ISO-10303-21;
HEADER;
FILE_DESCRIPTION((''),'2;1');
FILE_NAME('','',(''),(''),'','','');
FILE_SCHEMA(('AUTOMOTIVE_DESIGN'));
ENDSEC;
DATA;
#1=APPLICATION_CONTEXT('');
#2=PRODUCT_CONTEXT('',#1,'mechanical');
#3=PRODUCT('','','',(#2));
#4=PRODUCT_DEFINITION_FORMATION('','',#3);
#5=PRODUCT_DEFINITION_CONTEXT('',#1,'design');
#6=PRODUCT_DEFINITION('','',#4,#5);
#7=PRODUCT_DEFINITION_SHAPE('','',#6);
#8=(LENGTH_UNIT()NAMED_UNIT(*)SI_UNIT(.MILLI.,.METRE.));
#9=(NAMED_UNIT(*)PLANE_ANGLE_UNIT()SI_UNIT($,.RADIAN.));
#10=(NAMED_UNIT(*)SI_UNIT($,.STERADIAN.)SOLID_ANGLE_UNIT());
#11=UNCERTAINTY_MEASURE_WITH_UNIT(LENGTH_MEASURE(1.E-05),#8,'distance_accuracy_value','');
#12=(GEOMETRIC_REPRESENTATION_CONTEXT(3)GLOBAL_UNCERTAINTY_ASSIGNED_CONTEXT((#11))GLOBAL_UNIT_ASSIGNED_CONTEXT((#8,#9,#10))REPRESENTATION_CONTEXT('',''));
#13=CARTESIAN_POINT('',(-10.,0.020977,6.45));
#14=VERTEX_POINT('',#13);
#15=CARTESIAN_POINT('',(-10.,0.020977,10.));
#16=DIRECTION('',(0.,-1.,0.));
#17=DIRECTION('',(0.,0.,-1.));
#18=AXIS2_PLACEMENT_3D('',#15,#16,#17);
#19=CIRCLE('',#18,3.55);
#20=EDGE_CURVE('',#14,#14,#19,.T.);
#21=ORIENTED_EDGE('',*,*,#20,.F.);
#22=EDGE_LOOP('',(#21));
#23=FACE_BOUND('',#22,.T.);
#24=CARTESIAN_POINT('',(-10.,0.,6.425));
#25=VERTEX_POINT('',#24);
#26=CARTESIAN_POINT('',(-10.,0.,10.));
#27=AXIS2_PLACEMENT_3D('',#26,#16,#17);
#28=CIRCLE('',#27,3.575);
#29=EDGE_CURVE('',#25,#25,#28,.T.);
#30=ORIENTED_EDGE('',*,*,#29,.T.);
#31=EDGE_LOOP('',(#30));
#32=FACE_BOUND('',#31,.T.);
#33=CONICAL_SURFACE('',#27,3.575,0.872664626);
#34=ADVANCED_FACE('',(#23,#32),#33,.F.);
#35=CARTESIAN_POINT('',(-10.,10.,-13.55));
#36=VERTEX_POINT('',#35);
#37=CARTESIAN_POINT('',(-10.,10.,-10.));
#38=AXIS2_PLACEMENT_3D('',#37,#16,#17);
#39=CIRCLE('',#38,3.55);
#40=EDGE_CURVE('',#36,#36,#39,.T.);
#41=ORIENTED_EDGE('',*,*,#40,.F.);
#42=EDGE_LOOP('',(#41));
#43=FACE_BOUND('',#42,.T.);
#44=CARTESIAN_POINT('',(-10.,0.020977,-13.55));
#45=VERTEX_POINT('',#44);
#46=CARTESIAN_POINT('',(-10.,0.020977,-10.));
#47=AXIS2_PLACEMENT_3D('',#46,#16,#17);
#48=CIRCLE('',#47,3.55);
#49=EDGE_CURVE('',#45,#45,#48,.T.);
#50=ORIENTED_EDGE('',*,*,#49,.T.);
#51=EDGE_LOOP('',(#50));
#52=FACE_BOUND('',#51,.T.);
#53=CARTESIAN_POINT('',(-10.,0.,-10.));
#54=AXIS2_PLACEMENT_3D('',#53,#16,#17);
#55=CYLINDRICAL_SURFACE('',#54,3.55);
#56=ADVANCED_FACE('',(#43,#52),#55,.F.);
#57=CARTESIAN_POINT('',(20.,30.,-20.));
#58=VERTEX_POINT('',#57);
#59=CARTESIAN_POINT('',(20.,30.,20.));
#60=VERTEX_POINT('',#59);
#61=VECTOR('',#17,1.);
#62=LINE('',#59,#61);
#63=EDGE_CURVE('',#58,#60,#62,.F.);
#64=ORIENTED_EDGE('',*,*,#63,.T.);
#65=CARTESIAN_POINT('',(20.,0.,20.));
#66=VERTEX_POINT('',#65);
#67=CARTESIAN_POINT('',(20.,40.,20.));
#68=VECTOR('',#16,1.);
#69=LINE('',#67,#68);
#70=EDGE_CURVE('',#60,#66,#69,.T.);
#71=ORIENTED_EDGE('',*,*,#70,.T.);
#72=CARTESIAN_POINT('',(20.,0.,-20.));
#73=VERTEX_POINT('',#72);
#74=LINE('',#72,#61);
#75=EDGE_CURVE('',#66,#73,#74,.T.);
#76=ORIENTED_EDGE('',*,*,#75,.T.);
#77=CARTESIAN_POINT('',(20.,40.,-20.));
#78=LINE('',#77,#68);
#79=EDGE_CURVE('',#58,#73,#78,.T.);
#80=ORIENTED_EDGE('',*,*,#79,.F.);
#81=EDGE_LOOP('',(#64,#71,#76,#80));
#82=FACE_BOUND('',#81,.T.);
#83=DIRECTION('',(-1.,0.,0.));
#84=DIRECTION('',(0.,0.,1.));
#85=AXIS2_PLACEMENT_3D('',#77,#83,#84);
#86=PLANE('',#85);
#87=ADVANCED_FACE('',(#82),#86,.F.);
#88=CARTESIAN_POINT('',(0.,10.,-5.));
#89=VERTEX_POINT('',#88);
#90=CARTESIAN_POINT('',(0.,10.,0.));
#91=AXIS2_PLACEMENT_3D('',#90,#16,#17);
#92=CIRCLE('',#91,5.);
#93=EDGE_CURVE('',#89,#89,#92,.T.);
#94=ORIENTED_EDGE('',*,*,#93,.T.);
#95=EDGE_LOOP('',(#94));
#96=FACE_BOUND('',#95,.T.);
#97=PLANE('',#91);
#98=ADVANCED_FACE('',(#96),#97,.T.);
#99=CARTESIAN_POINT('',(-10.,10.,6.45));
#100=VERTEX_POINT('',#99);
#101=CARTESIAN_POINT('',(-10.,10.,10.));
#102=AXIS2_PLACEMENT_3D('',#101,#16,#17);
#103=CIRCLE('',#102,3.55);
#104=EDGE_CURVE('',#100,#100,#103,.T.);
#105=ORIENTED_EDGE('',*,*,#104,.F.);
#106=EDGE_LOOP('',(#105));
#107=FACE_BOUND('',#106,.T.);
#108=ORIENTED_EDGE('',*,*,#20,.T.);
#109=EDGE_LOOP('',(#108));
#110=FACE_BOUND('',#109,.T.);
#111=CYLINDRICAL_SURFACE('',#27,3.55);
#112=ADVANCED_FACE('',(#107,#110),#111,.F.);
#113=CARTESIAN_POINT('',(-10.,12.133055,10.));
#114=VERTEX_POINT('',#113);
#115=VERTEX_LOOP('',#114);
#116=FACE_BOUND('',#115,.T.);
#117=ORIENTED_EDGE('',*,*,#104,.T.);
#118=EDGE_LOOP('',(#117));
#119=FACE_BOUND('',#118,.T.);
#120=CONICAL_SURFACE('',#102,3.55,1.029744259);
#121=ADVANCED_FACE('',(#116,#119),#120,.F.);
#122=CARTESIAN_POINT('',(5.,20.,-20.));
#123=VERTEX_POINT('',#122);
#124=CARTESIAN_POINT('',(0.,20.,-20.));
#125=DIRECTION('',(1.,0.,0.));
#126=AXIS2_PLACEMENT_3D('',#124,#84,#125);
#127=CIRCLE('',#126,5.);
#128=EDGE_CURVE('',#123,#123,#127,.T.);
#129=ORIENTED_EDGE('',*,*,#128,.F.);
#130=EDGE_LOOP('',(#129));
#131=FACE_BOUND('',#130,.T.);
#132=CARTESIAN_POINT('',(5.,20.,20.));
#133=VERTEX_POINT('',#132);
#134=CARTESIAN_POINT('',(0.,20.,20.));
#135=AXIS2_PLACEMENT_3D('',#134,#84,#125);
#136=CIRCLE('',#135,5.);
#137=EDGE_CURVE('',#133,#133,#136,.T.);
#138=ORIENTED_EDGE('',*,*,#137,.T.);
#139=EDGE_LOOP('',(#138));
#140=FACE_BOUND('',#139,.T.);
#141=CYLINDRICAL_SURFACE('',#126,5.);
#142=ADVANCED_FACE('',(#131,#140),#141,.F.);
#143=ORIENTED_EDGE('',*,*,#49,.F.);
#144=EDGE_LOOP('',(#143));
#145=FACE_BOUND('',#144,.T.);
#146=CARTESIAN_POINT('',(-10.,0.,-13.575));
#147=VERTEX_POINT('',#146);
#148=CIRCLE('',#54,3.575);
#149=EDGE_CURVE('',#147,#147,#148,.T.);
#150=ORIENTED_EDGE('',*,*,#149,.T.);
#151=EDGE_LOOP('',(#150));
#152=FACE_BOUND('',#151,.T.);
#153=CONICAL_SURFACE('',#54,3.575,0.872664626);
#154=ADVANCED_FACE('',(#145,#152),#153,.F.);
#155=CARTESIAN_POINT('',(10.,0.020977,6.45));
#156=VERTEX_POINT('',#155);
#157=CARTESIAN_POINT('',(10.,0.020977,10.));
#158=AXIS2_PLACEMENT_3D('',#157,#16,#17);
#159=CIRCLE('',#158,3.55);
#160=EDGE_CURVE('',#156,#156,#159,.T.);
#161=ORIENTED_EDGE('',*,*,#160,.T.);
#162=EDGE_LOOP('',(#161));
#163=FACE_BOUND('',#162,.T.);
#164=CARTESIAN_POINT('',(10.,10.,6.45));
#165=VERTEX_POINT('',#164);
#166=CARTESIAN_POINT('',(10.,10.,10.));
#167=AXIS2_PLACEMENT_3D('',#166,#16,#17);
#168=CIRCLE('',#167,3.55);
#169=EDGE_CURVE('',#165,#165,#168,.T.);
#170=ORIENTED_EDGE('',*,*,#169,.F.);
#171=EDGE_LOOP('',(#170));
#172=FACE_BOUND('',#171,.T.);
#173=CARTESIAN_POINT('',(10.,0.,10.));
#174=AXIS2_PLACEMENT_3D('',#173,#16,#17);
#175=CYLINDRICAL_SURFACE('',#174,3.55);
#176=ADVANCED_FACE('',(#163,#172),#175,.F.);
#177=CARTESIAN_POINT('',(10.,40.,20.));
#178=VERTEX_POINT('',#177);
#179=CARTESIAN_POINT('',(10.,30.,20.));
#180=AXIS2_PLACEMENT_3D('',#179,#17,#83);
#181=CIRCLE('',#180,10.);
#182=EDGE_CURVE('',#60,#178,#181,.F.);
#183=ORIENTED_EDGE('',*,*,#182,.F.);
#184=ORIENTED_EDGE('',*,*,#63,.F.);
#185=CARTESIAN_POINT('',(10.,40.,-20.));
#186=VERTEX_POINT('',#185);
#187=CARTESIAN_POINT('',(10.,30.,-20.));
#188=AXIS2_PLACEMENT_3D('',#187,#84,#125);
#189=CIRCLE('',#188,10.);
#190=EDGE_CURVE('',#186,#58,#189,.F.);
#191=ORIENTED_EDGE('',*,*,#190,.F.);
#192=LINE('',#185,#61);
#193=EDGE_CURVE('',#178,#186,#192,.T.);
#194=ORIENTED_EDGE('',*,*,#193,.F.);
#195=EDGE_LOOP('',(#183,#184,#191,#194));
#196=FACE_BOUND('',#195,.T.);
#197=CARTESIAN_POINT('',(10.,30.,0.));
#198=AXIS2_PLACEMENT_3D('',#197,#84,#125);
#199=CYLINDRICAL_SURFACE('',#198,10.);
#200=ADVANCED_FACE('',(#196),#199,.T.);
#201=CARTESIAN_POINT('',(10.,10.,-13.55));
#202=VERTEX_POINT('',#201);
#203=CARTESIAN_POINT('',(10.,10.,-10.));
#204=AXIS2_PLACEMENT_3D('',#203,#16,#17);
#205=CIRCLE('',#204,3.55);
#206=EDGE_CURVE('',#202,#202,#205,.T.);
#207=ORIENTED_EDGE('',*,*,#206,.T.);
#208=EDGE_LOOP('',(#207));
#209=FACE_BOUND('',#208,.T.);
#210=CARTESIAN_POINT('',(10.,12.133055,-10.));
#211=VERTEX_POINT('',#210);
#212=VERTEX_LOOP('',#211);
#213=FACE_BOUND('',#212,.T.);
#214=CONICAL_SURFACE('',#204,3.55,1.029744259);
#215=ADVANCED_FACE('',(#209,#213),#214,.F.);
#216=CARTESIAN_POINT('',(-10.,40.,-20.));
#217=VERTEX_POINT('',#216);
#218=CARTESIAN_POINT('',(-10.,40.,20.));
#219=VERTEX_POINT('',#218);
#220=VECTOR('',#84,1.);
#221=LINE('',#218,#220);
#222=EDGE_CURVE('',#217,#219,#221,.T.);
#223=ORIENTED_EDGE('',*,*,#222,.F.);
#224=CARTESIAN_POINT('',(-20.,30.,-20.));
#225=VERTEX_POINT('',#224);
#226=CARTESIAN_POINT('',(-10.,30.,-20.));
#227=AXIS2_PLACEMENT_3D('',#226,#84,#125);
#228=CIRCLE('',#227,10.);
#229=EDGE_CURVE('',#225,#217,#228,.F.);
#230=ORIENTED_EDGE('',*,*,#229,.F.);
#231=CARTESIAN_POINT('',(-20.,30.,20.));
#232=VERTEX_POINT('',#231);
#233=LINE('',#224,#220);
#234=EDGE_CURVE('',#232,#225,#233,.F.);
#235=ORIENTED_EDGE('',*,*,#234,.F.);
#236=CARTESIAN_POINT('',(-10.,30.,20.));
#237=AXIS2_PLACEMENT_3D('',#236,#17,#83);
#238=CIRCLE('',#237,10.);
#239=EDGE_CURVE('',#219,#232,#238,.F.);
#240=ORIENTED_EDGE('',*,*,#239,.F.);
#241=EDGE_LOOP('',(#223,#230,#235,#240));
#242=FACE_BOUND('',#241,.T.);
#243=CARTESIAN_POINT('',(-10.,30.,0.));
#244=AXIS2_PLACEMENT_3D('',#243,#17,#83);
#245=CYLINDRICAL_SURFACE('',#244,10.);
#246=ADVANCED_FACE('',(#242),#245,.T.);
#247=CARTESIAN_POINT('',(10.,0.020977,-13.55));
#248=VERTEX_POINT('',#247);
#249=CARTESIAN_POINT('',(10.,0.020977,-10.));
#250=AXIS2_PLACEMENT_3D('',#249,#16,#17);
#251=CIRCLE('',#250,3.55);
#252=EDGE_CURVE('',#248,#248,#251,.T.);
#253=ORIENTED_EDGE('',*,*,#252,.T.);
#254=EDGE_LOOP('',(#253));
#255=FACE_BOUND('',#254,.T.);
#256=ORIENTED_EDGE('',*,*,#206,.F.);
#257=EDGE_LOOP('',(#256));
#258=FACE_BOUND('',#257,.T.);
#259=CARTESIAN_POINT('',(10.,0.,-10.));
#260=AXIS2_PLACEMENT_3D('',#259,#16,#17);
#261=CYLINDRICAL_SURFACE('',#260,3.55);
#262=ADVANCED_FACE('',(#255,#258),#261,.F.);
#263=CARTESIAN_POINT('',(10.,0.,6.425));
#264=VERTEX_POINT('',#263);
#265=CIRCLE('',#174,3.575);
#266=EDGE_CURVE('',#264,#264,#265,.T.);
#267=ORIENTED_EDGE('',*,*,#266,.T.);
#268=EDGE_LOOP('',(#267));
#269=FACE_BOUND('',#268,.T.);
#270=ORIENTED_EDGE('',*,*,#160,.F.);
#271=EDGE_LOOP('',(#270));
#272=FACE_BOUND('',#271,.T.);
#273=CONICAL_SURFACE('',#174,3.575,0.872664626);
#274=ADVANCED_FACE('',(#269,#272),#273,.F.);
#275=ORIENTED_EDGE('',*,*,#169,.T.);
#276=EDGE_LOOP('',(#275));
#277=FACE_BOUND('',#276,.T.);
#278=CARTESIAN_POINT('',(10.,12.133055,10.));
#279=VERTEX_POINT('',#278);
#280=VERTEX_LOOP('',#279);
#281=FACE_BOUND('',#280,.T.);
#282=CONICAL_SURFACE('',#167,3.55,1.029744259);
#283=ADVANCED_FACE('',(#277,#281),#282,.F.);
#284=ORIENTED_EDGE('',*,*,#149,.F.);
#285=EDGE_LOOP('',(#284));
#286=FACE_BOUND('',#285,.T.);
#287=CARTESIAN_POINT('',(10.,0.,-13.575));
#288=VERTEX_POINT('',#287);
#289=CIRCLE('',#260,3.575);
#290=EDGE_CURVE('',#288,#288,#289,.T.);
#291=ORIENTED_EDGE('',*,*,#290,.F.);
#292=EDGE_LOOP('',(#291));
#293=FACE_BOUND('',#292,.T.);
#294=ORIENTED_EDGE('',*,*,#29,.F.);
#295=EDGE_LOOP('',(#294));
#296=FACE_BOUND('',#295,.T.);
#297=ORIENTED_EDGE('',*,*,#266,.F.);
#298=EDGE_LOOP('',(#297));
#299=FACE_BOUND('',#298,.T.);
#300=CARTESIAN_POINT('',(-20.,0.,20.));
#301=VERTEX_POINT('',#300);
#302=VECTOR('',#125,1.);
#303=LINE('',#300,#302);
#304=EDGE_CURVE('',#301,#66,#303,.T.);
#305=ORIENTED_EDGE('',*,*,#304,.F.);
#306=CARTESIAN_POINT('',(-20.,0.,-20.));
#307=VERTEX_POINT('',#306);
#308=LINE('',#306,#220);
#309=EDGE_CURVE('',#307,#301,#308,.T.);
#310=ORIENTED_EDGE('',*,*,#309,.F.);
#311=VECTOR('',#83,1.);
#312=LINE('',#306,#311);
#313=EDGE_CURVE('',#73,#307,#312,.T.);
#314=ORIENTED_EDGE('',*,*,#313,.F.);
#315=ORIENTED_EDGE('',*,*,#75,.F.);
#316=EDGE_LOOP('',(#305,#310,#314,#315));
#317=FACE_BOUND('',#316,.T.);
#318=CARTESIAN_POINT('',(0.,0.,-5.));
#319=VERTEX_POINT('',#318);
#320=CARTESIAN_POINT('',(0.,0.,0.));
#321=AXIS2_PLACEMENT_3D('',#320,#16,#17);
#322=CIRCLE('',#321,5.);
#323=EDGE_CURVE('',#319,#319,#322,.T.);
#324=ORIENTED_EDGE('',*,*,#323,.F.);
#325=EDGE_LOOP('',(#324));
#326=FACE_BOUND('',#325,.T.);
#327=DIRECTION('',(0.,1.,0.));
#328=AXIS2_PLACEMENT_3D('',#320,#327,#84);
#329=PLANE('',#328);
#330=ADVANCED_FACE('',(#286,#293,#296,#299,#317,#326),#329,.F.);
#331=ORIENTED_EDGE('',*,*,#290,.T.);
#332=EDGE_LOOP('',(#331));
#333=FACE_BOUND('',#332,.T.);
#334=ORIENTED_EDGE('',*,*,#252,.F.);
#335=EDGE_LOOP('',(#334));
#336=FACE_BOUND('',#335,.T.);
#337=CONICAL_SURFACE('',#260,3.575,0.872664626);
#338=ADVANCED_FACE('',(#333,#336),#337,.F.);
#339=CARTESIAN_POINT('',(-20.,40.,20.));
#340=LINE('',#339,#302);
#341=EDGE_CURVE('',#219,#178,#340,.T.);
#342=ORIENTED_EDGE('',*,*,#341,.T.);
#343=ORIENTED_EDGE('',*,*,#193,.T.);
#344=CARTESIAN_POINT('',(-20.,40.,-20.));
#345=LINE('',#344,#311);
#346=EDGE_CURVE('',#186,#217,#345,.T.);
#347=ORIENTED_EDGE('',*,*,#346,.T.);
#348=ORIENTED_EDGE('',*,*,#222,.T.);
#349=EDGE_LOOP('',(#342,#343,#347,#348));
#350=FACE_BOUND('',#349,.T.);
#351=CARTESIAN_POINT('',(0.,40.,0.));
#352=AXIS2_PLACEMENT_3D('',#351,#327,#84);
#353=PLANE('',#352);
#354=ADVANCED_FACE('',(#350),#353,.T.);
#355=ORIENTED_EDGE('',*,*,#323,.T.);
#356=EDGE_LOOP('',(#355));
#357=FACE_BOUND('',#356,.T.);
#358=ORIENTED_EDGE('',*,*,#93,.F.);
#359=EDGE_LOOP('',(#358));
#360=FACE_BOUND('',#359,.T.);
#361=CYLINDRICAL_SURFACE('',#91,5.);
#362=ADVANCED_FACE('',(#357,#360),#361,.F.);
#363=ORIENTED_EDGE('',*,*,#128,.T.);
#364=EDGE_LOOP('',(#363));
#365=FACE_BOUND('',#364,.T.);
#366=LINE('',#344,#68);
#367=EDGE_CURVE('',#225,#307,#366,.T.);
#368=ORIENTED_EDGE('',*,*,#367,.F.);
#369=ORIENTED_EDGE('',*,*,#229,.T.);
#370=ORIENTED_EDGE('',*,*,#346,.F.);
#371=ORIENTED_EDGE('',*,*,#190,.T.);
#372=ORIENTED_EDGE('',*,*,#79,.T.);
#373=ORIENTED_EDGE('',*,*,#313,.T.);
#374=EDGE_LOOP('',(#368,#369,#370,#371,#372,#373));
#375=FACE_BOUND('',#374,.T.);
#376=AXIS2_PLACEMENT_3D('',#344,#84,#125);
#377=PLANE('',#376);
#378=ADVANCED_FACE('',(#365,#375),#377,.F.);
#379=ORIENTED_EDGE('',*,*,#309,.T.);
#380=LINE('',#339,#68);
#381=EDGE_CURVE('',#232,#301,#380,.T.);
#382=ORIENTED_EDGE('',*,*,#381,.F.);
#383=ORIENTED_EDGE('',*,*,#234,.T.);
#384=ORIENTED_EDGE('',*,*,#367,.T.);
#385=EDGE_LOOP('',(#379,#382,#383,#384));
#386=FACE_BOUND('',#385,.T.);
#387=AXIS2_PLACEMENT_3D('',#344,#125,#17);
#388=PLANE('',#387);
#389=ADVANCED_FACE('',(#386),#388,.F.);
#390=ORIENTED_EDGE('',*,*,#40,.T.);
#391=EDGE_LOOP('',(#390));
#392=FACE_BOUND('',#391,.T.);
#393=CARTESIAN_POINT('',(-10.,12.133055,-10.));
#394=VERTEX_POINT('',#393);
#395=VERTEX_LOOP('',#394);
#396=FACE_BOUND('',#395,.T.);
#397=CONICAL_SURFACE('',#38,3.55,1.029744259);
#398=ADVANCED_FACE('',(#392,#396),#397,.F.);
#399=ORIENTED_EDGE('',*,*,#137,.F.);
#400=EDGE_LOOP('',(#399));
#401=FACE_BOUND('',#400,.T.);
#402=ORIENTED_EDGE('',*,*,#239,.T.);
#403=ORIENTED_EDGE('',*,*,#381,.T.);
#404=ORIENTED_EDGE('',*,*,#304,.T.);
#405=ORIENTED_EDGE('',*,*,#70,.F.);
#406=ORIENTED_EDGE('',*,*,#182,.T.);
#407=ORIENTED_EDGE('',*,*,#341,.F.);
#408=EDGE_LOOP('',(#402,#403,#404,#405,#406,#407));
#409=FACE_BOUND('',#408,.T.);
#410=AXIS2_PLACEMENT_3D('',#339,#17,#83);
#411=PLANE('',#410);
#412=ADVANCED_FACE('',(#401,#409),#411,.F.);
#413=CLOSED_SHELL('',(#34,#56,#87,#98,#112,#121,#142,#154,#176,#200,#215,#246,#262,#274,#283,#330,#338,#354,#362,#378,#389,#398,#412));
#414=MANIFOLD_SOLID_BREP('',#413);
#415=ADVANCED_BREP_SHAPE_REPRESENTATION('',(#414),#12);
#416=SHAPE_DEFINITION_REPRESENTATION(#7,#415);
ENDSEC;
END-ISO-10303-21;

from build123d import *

# Parameters (mm, degrees)
SKETCH1_W                        = 40
SKETCH1_H                        = 40
BOSS_EXTRUDE1_DEPTH              = 40
SKETCH2_R                        = 5
CUT_EXTRUDE1_DEPTH               = 61
FILLET1_R                        = 10
M6_5_CLEARANCE_HOLE1_D           = 7.1
M6_5_CLEARANCE_HOLE1_DEPTH       = 10
M6_5_CLEARANCE_HOLE1_CSINK_D     = 7.15
M6_5_CLEARANCE_HOLE1_CSINK_ANGLE = 100
M6_5_CLEARANCE_HOLE1_TIP         = 2.133055198
SKETCH6_R                        = 5
CUT_EXTRUDE2_DEPTH               = 10


with BuildPart() as part:
    # Sketch1 → Boss-Extrude1 (new body)
    with BuildSketch(Plane(origin=(0, 0, 0), x_dir=(1, 0, 0), z_dir=(0, 1, 0))):
        Rectangle(SKETCH1_W, SKETCH1_H)
    extrude(amount=BOSS_EXTRUDE1_DEPTH)

    # Sketch2 → Cut-Extrude1 (cut, through all)
    with BuildSketch(Plane.XY.offset(20)):
        with Locations((0, 20)):
            Circle(SKETCH2_R)
    extrude(amount=-CUT_EXTRUDE1_DEPTH, mode=Mode.SUBTRACT)

    # Fillet1
    fillet1_edges = [part.edges().sort_by_distance(p)[0] for p in [
        (-20, 40, 0),
        (20, 40, 0),
    ]]
    fillet(fillet1_edges, radius=FILLET1_R)

    # M6.5 Clearance Hole1
    with Locations(Plane(origin=(0, 0, 0), x_dir=(-1, 0, 0), z_dir=(0, -1, 0))):
        with Locations((-10, 10), (10, 10), (-10, -10), (10, -10)):
            CounterSinkHole(M6_5_CLEARANCE_HOLE1_D / 2, M6_5_CLEARANCE_HOLE1_CSINK_D / 2, depth=M6_5_CLEARANCE_HOLE1_DEPTH, counter_sink_angle=M6_5_CLEARANCE_HOLE1_CSINK_ANGLE)
            with Locations((0, 0, -(M6_5_CLEARANCE_HOLE1_DEPTH + M6_5_CLEARANCE_HOLE1_TIP / 2))):  # 118° drill point
                Cone(0, M6_5_CLEARANCE_HOLE1_D / 2, M6_5_CLEARANCE_HOLE1_TIP, mode=Mode.SUBTRACT)

    # Sketch6 → Cut-Extrude2 (cut)
    with BuildSketch(Plane.XZ):
        with Locations(Location((0, 0, 0), (0, 0, 270))):
            Circle(SKETCH6_R)
    extrude(amount=-CUT_EXTRUDE2_DEPTH, mode=Mode.SUBTRACT)


solid = part.part
